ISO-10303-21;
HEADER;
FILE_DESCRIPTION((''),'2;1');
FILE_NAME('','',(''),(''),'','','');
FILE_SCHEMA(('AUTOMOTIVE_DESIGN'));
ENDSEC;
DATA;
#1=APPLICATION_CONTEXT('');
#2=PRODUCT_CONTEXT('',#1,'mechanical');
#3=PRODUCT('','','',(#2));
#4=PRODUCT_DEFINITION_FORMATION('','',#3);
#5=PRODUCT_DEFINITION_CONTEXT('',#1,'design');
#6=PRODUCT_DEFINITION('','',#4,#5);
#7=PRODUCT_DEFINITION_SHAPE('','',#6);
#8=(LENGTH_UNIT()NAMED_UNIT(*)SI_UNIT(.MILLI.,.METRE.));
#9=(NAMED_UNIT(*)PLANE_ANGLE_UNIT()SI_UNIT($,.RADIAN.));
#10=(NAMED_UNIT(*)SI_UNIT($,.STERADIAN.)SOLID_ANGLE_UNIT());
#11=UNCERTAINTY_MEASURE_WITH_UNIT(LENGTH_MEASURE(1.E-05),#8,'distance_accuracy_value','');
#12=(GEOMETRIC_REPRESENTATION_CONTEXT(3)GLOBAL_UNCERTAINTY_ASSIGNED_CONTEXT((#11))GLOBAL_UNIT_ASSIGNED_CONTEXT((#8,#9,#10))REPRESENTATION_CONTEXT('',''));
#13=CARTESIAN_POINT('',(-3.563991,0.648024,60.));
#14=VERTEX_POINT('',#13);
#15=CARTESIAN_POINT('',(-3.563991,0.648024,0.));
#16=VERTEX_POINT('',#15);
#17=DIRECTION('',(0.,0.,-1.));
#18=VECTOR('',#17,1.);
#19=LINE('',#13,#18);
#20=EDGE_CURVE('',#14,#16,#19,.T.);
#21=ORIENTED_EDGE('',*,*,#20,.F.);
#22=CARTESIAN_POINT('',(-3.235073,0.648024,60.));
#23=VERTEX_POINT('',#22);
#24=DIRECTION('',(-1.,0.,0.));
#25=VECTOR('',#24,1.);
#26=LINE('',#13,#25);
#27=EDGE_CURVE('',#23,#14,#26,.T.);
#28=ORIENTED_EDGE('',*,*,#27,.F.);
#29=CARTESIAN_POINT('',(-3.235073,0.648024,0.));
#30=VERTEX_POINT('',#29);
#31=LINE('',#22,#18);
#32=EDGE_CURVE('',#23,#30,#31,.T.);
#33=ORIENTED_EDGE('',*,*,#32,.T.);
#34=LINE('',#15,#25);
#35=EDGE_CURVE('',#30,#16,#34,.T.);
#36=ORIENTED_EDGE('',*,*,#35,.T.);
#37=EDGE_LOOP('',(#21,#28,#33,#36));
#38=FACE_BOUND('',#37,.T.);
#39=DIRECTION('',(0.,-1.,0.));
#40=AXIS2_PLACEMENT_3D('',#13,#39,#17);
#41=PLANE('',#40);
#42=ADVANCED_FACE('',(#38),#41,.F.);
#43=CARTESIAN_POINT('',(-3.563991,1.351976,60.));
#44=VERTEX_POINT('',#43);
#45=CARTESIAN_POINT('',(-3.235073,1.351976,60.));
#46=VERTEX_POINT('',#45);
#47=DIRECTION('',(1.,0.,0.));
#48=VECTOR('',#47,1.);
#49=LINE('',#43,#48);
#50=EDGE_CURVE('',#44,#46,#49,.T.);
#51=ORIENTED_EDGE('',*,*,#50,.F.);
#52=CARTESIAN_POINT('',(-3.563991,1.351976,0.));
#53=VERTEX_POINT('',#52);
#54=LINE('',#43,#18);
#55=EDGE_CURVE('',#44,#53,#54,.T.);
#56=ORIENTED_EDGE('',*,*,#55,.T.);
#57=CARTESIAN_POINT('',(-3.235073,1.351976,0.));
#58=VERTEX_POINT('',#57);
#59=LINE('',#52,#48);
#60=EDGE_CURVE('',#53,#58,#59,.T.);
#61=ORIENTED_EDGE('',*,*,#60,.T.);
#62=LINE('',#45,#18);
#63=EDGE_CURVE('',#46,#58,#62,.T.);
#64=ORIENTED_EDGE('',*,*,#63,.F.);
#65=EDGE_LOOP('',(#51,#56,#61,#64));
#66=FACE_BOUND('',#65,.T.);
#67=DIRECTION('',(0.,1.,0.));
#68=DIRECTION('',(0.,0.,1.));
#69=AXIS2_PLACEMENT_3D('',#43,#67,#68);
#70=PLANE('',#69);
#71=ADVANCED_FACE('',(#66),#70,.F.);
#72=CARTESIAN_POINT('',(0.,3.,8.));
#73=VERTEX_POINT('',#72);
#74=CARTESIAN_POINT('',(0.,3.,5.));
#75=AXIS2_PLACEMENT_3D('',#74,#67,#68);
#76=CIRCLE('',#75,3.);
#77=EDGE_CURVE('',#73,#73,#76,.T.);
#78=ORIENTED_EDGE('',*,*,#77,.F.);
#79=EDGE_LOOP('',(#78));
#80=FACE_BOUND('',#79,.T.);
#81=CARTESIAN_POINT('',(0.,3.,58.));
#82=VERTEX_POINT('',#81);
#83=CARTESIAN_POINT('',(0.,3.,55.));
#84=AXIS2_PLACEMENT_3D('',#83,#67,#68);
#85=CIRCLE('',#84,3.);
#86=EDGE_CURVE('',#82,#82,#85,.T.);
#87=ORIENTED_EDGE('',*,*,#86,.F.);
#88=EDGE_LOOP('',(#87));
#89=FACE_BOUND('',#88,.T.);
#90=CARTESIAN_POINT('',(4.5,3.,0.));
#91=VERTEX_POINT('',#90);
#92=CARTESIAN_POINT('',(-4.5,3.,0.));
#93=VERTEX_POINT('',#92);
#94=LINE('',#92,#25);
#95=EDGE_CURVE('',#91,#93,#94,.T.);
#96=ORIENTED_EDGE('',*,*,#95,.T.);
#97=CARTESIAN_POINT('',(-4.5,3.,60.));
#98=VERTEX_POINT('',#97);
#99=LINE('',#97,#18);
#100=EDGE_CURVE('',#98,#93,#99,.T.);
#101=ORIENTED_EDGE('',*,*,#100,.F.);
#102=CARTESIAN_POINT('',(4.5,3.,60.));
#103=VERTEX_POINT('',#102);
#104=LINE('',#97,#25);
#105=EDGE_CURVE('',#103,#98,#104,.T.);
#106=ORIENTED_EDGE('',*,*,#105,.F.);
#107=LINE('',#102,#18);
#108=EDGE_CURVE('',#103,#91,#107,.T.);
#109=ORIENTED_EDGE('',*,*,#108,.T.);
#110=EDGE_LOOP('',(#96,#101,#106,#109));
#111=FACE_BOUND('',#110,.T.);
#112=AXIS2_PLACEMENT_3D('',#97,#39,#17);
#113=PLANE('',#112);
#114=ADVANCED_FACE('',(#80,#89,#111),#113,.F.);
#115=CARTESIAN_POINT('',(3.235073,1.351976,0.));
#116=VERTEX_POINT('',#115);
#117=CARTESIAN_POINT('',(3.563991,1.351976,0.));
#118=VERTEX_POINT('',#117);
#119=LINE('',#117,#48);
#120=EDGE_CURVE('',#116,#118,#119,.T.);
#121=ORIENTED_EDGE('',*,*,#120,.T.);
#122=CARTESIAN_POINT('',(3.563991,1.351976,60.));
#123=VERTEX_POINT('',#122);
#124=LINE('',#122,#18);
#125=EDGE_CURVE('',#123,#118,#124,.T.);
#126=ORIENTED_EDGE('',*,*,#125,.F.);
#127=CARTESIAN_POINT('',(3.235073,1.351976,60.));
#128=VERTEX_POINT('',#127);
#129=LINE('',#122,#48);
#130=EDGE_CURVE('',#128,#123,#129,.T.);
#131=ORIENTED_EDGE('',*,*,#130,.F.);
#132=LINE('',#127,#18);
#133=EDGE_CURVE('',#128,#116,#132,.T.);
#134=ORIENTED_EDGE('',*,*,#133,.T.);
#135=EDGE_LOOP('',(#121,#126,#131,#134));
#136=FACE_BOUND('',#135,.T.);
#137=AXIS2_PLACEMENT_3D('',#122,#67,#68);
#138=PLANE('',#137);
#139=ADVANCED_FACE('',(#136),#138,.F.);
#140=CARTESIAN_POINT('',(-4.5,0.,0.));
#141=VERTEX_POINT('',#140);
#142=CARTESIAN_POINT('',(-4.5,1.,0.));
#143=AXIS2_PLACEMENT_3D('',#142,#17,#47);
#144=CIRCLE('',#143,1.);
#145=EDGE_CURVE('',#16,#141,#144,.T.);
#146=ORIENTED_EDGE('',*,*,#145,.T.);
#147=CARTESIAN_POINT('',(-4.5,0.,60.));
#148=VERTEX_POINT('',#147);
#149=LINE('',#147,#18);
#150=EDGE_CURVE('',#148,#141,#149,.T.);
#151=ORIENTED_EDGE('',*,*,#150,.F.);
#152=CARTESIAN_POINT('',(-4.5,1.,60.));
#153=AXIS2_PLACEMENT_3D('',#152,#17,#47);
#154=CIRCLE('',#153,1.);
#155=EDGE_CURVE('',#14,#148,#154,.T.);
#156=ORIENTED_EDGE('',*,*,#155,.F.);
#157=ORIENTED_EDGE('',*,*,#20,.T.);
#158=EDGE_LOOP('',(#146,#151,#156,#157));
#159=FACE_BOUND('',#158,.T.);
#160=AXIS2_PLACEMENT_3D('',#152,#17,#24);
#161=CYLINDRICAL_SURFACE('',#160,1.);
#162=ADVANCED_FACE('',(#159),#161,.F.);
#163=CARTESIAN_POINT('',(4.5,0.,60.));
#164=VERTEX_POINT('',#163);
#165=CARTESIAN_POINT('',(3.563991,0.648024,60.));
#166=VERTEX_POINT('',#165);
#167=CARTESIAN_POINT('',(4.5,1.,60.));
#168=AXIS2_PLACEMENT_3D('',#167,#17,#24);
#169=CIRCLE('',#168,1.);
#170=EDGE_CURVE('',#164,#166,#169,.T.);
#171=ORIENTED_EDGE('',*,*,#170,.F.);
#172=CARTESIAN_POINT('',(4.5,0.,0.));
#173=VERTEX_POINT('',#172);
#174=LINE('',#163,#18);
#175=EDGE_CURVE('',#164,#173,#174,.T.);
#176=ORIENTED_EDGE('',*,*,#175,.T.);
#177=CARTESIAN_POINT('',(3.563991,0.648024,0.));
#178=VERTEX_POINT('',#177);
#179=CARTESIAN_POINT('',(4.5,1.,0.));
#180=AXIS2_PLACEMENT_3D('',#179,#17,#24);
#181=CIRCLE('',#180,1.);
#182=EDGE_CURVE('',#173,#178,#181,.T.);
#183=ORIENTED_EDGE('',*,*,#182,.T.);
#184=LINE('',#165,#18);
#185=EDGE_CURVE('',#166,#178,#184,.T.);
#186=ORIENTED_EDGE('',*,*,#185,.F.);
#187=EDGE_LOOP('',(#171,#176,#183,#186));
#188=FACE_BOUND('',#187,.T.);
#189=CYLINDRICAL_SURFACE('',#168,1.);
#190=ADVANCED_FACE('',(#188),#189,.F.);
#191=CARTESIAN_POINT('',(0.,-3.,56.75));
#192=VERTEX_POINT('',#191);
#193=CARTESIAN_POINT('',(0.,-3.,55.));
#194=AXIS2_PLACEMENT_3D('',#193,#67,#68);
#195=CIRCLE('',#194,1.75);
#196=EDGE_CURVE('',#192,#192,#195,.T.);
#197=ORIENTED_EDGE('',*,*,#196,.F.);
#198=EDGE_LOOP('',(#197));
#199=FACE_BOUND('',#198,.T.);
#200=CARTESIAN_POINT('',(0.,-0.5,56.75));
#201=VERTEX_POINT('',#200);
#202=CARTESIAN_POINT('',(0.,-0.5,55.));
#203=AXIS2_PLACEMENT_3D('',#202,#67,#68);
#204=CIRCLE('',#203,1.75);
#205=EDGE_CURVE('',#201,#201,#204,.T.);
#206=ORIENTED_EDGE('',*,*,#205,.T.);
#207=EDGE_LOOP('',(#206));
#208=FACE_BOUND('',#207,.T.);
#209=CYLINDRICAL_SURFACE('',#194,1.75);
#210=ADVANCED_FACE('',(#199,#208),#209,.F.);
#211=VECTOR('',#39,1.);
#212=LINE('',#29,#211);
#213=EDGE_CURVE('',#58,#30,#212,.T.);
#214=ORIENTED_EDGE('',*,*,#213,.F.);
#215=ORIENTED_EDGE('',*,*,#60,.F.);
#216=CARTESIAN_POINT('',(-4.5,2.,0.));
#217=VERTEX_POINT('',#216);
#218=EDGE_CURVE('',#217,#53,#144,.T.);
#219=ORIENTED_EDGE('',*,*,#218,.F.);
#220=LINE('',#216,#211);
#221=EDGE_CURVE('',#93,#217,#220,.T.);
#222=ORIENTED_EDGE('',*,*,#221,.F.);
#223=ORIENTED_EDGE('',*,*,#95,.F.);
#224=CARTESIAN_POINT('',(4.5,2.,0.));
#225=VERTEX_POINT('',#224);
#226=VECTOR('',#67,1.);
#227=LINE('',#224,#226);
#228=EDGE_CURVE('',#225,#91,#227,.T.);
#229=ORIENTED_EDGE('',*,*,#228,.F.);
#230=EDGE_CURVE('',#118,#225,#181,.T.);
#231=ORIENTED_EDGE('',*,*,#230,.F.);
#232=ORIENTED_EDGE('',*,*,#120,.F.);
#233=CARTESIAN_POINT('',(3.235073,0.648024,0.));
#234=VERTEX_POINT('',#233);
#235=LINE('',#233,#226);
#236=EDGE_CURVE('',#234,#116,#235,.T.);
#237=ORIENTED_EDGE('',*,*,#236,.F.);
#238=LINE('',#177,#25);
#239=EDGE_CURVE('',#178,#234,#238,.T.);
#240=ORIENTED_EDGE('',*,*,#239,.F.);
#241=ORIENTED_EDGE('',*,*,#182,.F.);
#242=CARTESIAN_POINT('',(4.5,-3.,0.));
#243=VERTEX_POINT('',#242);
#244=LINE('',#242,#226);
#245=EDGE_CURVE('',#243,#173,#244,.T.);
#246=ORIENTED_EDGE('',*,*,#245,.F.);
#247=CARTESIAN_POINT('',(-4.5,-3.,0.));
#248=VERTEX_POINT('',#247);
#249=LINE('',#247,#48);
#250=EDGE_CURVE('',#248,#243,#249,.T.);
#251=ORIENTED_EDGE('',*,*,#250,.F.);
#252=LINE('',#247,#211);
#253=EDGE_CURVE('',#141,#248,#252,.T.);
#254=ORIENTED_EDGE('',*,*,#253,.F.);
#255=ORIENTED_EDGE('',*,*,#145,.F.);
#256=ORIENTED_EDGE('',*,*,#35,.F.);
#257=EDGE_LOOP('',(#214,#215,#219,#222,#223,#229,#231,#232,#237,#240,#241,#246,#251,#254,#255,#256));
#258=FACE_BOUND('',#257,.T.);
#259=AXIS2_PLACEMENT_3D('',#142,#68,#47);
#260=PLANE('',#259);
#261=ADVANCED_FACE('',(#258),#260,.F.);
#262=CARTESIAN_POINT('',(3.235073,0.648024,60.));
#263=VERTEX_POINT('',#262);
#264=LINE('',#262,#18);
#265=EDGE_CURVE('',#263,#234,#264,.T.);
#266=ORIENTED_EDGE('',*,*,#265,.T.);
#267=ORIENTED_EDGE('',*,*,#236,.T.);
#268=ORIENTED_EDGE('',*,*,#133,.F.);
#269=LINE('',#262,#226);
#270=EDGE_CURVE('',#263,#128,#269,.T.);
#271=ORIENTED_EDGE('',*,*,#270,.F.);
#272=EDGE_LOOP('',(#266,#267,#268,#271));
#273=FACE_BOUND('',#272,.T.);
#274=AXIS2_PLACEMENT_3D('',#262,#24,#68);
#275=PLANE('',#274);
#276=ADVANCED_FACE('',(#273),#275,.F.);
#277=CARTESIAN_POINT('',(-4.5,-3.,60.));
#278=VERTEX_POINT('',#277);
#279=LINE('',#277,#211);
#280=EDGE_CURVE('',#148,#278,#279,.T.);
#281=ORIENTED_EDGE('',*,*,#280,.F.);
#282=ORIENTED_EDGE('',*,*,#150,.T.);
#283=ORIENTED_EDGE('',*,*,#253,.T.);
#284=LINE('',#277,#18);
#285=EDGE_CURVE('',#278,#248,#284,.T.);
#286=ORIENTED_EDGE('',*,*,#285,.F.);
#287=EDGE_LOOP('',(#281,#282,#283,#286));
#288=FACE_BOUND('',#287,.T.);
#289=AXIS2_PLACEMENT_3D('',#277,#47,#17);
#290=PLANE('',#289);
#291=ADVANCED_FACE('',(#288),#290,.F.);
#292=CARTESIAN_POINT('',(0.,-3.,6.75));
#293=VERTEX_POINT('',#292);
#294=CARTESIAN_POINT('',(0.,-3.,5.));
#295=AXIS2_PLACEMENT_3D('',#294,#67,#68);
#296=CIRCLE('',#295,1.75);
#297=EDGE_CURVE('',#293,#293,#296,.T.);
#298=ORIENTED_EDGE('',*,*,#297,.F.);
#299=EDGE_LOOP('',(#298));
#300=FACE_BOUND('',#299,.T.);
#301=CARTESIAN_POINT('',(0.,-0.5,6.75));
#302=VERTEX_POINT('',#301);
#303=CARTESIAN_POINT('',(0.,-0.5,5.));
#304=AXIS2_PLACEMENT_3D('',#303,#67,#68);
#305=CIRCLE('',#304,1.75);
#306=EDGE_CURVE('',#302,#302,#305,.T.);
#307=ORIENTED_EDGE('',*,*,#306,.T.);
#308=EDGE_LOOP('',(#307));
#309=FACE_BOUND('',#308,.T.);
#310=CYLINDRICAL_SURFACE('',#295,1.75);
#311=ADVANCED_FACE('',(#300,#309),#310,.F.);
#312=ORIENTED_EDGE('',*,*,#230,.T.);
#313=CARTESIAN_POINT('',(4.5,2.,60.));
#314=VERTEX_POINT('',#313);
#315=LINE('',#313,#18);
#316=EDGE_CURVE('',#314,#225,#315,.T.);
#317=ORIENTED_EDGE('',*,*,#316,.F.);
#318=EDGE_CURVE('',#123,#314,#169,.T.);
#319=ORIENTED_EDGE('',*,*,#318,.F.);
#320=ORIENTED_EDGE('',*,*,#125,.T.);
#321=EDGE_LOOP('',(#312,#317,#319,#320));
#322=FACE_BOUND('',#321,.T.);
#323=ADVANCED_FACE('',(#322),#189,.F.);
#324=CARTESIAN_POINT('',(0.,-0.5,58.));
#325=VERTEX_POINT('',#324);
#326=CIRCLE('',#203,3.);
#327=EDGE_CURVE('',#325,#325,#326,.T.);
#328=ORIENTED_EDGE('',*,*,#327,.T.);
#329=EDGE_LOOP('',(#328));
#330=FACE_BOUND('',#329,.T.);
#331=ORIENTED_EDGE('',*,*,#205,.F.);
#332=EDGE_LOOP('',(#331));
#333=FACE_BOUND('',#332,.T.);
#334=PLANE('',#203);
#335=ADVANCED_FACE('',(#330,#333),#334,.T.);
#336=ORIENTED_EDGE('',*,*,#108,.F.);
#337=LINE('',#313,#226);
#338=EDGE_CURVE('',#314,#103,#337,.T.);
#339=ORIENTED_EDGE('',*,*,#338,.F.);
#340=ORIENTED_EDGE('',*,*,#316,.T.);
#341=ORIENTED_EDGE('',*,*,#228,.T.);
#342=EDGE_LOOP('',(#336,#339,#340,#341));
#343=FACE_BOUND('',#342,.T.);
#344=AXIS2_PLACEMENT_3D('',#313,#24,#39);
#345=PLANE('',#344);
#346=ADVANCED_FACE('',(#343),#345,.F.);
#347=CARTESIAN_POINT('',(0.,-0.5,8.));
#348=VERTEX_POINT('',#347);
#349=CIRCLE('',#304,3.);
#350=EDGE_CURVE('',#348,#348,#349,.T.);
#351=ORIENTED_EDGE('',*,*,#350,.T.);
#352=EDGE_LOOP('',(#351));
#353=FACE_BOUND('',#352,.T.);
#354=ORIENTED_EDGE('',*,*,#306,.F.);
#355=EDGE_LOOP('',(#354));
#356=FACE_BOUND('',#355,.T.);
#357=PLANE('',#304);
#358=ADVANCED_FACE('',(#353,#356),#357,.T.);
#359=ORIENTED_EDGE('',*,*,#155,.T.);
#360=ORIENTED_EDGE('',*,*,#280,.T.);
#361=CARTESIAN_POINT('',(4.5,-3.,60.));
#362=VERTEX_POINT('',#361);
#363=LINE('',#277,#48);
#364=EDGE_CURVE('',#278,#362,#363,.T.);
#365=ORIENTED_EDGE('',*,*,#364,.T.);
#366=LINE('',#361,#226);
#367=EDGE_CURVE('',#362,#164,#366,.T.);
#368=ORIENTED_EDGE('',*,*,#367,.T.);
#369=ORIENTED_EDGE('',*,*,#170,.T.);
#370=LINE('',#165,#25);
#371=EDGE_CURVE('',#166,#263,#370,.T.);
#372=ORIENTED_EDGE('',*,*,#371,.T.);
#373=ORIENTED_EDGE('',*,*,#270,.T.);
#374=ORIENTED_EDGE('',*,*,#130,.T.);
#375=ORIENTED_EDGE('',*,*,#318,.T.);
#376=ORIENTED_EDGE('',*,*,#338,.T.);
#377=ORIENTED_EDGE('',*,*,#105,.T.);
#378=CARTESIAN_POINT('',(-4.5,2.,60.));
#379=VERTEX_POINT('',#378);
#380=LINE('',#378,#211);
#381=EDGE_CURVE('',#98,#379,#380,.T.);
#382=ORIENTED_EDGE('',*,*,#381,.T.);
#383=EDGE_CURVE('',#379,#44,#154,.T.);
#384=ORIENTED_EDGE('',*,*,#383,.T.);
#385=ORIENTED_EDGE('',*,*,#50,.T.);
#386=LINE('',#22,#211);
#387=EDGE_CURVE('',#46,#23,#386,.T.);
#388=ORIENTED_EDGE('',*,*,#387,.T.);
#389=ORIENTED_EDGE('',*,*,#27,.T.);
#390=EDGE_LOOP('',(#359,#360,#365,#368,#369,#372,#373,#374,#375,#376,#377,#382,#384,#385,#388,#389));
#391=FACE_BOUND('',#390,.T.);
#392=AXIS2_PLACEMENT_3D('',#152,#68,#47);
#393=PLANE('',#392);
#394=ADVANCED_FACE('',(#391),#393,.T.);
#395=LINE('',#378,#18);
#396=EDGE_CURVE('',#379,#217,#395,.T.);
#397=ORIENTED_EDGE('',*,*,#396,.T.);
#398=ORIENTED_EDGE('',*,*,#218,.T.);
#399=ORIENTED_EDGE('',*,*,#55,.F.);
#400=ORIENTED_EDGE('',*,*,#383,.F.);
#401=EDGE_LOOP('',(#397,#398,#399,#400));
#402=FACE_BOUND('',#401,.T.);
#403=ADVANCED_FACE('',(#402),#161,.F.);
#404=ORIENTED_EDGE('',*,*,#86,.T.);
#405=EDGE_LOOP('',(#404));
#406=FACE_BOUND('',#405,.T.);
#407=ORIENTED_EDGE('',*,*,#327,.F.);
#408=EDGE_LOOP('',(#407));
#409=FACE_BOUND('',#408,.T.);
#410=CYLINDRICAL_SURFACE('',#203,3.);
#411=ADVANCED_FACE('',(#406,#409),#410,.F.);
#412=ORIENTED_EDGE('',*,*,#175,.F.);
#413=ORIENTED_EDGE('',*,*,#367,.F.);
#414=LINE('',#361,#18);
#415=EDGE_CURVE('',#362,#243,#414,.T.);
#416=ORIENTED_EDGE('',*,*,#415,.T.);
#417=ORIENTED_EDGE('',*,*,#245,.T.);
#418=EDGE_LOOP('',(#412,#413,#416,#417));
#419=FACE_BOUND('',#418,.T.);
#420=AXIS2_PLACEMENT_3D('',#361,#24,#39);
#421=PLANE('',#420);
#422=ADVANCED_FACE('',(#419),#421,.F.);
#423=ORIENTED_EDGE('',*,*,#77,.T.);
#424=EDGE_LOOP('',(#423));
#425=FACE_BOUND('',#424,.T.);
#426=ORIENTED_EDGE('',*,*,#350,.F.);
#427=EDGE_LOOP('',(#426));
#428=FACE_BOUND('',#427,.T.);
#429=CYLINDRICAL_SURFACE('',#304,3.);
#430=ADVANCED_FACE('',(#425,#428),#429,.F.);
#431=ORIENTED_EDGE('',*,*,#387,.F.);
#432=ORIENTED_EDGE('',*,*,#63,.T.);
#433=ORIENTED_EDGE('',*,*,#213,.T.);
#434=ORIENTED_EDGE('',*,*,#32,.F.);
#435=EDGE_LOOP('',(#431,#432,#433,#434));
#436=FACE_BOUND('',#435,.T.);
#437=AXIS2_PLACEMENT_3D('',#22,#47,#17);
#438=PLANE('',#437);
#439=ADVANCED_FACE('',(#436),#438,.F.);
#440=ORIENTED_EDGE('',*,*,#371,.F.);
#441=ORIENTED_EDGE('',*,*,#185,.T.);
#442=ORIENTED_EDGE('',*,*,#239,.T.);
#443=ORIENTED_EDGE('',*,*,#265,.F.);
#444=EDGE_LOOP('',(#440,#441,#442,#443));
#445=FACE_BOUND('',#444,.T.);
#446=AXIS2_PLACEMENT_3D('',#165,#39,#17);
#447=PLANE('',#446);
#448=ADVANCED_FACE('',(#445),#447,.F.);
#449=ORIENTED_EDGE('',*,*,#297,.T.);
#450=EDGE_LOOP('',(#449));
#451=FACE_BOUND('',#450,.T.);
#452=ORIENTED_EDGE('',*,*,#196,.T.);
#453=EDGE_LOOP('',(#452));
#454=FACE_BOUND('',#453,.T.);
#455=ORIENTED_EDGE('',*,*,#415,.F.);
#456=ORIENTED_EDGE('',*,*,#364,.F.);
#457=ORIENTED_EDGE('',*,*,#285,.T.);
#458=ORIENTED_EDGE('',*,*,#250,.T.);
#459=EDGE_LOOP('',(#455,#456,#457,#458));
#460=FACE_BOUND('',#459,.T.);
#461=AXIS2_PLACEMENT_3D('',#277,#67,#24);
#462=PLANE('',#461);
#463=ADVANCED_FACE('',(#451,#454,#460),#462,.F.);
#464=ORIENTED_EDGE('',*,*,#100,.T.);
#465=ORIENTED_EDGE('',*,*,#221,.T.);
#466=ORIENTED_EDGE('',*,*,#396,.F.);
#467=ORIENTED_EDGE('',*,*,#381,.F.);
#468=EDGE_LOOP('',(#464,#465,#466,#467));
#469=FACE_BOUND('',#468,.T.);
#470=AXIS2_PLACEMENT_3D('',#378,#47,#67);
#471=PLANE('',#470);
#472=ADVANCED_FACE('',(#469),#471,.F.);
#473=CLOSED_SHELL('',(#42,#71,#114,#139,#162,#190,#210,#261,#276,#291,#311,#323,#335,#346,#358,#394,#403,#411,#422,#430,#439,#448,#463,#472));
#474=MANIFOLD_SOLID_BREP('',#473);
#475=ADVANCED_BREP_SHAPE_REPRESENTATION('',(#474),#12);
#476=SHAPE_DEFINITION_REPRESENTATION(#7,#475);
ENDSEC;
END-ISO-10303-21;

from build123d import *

# Parameters (mm, degrees)
EXTRUDE1_DEPTH  = 60
SKETCH2_R       = 3
EXTRUDE2_DEPTH  = 3.5
SKETCH_R        = 1.75
EXTRUDE3_DEPTH  = 7
LPATTERN1_COUNT = 45
LPATTERN1_PITCH = 50


with BuildPart() as part:
    # Sketch1 → Extrude1 (new body)
    with BuildSketch(Plane.XY):
        with BuildLine():
            Line((-4.5, -3), (4.5, -3))
            Line((4.5, -3), (4.5, 0))
            ThreePointArc((4.5, 0), (3.93077967, 0.177814974), (3.563991137, 0.648023568))
            Line((3.563991137, 0.648023568), (3.235073025, 0.648023568))
            Line((3.235073025, 0.648023568), (3.235073025, 1.351976432))
            Line((3.235073025, 1.351976432), (3.563991137, 1.351976432))
            ThreePointArc((3.563991137, 1.351976432), (3.93077967, 1.822185026), (4.5, 2))
            Line((4.5, 2), (4.5, 3))
            Line((4.5, 3), (-4.5, 3))
            Line((-4.5, 3), (-4.5, 2))
            ThreePointArc((-4.5, 2), (-3.93077967, 1.822185026), (-3.563991137, 1.351976432))
            Line((-3.563991137, 1.351976432), (-3.235073025, 1.351976432))
            Line((-3.235073025, 1.351976432), (-3.235073025, 0.648023568))
            Line((-3.235073025, 0.648023568), (-3.563991137, 0.648023568))
            ThreePointArc((-3.563991137, 0.648023568), (-3.93077967, 0.177814974), (-4.5, 0))
            Line((-4.5, 0), (-4.5, -3))
        make_face()
    extrude(amount=EXTRUDE1_DEPTH)

    # Sketch2 → Extrude2 (cut)
    with BuildSketch(Plane(origin=(0, 3, 0), x_dir=(1, 0, 0), z_dir=(0, 1, 0))):
        with Locations((0, -5)):
            Circle(SKETCH2_R)
    extrude2 = extrude(amount=-EXTRUDE2_DEPTH, mode=Mode.SUBTRACT)

    # Sketch → Extrude3 (cut, through all)
    with BuildSketch(Plane(origin=(0, 3, 0), x_dir=(1, 0, 0), z_dir=(0, 1, 0))):
        with Locations((0, -5)):
            Circle(SKETCH_R)
    extrude3 = extrude(amount=-EXTRUDE3_DEPTH, mode=Mode.SUBTRACT)

    # LPattern1: Extrude2, Extrude3 ×45
    with Locations(*[(0, 0, i * LPATTERN1_PITCH) for i in range(1, LPATTERN1_COUNT)]):
        add(extrude2, mode=Mode.SUBTRACT)
        add(extrude3, mode=Mode.SUBTRACT)


solid = part.part
